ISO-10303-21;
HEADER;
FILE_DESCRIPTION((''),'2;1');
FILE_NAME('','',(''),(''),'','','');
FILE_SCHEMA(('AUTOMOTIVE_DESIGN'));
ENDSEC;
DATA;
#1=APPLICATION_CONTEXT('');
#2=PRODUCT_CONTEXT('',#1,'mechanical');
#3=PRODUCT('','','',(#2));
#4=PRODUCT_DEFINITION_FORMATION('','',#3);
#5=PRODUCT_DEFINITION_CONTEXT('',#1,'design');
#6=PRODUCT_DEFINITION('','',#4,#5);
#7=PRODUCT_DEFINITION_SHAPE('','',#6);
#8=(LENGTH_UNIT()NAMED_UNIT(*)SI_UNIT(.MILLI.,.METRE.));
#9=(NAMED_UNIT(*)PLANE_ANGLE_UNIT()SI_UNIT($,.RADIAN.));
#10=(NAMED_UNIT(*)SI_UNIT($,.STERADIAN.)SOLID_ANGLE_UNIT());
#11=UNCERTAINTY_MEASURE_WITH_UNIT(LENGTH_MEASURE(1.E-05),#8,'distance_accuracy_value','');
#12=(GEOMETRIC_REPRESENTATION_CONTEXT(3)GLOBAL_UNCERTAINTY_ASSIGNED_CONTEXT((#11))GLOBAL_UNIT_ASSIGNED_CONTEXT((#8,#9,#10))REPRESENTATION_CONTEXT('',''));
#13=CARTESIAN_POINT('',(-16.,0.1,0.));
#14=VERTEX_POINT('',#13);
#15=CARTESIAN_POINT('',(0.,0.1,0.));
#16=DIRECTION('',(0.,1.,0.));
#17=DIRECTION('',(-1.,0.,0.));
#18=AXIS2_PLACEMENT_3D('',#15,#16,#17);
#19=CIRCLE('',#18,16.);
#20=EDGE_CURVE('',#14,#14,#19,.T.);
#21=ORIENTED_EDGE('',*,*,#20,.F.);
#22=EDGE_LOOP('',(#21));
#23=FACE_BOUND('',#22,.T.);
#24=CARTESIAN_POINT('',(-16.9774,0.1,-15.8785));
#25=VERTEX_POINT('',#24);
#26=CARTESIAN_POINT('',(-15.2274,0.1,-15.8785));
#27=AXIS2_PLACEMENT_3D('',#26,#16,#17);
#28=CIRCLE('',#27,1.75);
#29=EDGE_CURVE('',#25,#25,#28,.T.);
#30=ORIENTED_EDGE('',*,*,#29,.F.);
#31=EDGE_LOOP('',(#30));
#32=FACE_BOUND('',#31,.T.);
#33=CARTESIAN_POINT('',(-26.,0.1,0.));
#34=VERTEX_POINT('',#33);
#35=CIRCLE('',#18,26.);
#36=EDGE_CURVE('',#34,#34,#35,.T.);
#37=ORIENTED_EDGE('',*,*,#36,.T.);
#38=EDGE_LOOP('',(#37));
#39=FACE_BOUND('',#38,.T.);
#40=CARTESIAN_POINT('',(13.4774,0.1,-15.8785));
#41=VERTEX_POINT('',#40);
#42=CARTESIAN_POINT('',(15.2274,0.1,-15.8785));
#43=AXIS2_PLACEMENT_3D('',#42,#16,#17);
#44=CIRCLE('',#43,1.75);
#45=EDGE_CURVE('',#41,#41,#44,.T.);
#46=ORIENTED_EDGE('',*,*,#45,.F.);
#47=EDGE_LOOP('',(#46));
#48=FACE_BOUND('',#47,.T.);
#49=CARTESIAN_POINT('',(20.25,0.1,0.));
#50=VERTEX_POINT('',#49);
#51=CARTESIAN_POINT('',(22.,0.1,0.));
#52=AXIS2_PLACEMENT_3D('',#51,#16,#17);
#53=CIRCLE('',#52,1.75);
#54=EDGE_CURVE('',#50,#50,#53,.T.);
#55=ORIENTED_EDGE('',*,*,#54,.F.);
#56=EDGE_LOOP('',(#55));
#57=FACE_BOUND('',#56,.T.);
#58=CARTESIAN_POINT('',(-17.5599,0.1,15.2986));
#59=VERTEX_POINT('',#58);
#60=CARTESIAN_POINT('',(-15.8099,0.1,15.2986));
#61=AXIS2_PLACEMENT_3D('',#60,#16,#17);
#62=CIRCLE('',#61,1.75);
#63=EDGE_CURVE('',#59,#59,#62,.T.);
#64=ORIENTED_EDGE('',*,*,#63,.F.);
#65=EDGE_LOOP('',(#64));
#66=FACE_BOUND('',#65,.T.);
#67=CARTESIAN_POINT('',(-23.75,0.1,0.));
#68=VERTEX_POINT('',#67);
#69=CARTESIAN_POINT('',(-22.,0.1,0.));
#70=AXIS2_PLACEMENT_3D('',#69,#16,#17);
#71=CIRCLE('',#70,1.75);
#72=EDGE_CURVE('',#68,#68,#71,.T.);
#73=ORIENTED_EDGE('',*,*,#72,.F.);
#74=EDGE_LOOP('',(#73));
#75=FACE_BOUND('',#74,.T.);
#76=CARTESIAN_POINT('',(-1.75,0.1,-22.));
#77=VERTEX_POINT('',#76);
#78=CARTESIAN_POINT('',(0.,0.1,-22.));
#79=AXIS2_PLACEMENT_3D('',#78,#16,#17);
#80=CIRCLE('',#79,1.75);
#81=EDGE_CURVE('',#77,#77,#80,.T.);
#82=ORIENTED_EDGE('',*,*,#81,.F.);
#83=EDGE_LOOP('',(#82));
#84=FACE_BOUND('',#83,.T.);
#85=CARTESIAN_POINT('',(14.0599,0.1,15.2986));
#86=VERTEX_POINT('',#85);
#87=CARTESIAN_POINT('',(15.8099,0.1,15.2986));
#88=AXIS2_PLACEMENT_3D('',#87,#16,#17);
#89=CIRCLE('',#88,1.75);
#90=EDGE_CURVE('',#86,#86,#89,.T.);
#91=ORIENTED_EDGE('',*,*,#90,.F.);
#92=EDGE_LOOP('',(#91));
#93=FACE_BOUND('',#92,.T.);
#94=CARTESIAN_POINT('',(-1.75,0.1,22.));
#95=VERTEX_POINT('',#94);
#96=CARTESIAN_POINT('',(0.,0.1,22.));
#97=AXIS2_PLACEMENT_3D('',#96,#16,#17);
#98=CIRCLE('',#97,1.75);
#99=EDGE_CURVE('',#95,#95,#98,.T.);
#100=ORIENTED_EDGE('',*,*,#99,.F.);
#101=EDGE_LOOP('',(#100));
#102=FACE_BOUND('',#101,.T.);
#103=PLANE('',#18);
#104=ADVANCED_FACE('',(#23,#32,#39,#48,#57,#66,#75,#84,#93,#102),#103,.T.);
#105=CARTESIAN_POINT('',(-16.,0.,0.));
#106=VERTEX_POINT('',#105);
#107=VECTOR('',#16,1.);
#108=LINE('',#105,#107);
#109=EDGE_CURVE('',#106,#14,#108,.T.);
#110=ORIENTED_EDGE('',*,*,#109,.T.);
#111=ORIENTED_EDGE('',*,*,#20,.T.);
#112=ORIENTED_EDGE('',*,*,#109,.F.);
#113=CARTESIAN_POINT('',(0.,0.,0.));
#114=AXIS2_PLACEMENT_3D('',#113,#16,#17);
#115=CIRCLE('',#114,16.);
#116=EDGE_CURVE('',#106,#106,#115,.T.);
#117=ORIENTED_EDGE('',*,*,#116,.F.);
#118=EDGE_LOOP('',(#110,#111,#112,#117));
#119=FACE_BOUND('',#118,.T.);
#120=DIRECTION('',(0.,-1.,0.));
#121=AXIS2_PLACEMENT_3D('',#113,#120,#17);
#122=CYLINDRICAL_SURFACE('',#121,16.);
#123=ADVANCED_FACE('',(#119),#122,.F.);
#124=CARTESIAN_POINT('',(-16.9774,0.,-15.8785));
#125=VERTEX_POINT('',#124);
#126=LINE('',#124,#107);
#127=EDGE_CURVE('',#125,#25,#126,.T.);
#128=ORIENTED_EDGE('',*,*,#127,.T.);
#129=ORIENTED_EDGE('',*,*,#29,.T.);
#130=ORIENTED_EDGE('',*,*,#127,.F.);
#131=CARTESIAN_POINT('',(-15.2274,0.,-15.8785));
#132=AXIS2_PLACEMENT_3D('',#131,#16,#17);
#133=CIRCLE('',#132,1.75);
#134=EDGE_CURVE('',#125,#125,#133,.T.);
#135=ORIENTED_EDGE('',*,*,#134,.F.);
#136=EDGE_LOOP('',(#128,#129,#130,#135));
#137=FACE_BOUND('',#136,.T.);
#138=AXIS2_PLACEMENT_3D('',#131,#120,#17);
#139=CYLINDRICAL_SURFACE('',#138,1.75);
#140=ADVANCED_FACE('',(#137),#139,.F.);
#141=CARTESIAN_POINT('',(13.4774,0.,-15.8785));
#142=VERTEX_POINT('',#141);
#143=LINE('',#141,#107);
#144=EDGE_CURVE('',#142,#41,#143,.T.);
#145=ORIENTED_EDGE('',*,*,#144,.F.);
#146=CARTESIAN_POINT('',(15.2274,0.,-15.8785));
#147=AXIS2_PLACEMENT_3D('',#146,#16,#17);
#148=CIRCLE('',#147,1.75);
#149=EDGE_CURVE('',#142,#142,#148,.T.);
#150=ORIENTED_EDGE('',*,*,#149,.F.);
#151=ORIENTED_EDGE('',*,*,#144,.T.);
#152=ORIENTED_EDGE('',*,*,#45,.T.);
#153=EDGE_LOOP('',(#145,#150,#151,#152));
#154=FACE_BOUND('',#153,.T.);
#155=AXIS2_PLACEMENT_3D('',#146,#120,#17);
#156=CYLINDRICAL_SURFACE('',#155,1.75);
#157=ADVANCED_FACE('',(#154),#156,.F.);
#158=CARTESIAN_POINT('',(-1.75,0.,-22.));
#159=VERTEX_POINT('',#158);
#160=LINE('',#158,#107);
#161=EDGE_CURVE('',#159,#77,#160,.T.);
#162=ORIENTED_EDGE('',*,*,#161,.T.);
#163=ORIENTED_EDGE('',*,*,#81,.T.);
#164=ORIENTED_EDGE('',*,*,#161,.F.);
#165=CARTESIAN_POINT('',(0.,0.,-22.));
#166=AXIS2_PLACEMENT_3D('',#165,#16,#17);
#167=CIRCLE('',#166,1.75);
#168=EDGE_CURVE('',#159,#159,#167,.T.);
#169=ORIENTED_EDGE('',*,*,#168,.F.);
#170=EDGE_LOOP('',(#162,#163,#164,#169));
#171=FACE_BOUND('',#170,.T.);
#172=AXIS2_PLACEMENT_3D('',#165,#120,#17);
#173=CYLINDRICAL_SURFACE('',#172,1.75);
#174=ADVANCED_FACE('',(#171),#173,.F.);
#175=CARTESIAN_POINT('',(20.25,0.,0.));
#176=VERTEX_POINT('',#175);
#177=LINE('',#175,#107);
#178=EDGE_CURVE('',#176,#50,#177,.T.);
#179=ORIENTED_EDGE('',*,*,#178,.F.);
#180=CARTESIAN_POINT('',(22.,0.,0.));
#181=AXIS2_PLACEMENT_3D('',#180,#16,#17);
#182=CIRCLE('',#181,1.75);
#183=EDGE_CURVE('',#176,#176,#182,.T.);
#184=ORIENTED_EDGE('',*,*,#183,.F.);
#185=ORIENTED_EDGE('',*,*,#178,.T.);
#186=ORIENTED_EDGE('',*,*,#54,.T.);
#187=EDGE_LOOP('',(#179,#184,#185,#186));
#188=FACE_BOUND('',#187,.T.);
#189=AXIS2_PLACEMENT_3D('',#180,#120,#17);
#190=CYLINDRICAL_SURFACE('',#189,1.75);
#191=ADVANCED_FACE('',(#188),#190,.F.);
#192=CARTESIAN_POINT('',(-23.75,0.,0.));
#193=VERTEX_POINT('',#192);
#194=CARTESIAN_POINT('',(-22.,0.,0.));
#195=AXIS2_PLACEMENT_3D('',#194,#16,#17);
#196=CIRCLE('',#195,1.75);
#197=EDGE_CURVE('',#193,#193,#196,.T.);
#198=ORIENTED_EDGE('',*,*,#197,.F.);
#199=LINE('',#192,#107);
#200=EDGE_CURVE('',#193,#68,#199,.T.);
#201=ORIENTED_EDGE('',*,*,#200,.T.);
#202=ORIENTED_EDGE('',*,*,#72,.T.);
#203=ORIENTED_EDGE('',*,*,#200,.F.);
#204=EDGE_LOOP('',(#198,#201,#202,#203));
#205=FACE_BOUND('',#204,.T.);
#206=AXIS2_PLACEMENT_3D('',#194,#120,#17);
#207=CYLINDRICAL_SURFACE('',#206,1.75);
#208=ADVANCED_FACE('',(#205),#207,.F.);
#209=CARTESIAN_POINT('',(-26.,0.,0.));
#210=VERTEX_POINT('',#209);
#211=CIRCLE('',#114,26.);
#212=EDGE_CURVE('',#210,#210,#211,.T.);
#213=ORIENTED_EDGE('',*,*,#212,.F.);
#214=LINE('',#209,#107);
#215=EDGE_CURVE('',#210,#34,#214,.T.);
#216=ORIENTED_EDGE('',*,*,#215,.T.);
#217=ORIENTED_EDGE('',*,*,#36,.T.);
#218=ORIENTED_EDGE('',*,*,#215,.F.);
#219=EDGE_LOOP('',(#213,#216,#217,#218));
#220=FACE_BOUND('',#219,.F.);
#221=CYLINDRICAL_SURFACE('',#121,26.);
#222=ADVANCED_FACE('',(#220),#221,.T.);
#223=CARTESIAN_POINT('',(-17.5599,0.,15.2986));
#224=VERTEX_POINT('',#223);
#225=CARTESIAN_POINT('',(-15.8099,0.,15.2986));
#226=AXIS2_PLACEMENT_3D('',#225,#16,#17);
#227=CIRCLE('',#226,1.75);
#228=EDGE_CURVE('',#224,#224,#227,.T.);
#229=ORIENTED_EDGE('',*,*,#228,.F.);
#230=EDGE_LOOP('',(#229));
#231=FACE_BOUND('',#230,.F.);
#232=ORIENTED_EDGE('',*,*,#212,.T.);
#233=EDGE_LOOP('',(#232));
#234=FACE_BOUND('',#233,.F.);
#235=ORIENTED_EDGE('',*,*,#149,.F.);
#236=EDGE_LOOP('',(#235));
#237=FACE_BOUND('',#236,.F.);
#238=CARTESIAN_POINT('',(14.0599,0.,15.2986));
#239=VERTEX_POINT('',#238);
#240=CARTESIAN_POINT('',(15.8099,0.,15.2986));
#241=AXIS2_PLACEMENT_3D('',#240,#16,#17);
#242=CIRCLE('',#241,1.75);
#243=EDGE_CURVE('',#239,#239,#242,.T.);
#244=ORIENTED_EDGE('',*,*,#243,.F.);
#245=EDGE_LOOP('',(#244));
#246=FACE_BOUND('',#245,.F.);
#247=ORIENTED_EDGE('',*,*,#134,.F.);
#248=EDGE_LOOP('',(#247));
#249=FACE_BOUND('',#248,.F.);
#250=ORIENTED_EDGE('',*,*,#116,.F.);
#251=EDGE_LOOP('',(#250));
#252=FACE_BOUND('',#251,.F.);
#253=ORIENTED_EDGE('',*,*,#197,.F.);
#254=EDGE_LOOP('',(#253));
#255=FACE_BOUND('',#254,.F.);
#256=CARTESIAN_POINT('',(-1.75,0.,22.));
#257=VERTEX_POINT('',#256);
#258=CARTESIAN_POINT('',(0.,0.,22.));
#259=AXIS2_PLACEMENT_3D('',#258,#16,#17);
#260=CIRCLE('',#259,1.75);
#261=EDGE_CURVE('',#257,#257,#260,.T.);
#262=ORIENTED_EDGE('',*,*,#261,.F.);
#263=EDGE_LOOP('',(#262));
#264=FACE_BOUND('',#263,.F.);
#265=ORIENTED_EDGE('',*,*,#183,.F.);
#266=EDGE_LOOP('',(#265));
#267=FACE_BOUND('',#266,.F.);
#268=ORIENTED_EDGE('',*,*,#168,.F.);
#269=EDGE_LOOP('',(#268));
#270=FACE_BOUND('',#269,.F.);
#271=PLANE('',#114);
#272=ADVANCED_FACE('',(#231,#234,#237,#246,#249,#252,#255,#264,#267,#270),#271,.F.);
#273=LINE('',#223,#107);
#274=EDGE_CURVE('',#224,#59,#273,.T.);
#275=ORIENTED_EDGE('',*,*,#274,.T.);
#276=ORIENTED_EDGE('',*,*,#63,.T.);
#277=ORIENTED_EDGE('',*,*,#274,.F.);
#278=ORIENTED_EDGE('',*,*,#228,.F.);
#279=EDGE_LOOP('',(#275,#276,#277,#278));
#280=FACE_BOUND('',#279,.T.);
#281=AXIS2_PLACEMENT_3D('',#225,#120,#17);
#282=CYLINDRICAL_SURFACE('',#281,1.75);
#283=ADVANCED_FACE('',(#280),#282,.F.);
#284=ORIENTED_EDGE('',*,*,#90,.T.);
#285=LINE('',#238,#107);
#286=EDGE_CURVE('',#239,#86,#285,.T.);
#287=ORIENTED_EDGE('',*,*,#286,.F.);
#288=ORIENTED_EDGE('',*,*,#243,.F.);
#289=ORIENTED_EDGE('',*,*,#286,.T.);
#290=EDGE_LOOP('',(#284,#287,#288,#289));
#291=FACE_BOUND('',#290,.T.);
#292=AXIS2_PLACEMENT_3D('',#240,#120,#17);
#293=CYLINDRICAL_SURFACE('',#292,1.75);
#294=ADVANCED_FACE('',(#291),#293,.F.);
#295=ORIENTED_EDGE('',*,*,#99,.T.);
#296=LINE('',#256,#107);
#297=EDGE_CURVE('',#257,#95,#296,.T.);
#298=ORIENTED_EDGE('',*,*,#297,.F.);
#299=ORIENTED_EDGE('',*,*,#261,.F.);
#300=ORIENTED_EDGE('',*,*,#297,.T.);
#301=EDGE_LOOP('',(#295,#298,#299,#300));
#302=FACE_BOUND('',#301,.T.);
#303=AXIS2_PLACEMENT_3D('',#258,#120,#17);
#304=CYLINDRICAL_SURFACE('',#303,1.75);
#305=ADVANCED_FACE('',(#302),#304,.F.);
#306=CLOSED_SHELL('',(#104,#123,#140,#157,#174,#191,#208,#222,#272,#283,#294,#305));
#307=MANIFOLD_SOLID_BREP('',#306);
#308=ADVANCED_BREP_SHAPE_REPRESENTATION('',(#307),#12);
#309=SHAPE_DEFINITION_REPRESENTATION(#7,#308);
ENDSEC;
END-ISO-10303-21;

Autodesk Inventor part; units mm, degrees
ref_plane "YZ Plane" through (0, 0, 0) normal (1, 0, 0) x (0, 1, 0)
ref_plane "XZ Plane" through (0, 0, 0) normal (0, 1, 0) x (-1, 0, 0)
ref_plane "XY Plane" through (0, 0, 0) normal (0, 0, 1) x (1, 0, 0)
sketch "Sketch1" plane through (0, 0, 0) normal (0, 1, 0) x (-1, 0, 0)
  circle A0 centre (0, 0) radius 26
  circle A1 centre (0, 0) radius 16
  circle A2 centre (0, 0) radius 22 construction
  circle A3 centre (0, 22) radius 1.75
  circle A4 centre (0, -22) radius 1.75
  circle A5 centre (22, 0) radius 1.75
  circle A6 centre (-22, 0) radius 1.75
  circle A7 centre (15.2274, -15.8785) radius 1.75
  circle A8 centre (-15.8099, 15.2986) radius 1.75
  circle A9 centre (15.8099, 15.2986) radius 1.75
  circle A10 centre (-15.2274, -15.8785) radius 1.75
  dimension "d2" = 44
  dimension "d0" = 52
  dimension "d1" = 32
  dimension "d21" = 3.5
  dimension "d22" = 3.5
  dimension "d23" = 3.5
  dimension "d24" = 3.5
  dimension "d25" = 3.5
  dimension "d26" = 3.5
  dimension "d27" = 3.5
  dimension "d28" = 3.5
extrude "Extrusion2" add sketch "Sketch1" along normal blind 0.1
properties part number "reverse gear up cylinder packing"
